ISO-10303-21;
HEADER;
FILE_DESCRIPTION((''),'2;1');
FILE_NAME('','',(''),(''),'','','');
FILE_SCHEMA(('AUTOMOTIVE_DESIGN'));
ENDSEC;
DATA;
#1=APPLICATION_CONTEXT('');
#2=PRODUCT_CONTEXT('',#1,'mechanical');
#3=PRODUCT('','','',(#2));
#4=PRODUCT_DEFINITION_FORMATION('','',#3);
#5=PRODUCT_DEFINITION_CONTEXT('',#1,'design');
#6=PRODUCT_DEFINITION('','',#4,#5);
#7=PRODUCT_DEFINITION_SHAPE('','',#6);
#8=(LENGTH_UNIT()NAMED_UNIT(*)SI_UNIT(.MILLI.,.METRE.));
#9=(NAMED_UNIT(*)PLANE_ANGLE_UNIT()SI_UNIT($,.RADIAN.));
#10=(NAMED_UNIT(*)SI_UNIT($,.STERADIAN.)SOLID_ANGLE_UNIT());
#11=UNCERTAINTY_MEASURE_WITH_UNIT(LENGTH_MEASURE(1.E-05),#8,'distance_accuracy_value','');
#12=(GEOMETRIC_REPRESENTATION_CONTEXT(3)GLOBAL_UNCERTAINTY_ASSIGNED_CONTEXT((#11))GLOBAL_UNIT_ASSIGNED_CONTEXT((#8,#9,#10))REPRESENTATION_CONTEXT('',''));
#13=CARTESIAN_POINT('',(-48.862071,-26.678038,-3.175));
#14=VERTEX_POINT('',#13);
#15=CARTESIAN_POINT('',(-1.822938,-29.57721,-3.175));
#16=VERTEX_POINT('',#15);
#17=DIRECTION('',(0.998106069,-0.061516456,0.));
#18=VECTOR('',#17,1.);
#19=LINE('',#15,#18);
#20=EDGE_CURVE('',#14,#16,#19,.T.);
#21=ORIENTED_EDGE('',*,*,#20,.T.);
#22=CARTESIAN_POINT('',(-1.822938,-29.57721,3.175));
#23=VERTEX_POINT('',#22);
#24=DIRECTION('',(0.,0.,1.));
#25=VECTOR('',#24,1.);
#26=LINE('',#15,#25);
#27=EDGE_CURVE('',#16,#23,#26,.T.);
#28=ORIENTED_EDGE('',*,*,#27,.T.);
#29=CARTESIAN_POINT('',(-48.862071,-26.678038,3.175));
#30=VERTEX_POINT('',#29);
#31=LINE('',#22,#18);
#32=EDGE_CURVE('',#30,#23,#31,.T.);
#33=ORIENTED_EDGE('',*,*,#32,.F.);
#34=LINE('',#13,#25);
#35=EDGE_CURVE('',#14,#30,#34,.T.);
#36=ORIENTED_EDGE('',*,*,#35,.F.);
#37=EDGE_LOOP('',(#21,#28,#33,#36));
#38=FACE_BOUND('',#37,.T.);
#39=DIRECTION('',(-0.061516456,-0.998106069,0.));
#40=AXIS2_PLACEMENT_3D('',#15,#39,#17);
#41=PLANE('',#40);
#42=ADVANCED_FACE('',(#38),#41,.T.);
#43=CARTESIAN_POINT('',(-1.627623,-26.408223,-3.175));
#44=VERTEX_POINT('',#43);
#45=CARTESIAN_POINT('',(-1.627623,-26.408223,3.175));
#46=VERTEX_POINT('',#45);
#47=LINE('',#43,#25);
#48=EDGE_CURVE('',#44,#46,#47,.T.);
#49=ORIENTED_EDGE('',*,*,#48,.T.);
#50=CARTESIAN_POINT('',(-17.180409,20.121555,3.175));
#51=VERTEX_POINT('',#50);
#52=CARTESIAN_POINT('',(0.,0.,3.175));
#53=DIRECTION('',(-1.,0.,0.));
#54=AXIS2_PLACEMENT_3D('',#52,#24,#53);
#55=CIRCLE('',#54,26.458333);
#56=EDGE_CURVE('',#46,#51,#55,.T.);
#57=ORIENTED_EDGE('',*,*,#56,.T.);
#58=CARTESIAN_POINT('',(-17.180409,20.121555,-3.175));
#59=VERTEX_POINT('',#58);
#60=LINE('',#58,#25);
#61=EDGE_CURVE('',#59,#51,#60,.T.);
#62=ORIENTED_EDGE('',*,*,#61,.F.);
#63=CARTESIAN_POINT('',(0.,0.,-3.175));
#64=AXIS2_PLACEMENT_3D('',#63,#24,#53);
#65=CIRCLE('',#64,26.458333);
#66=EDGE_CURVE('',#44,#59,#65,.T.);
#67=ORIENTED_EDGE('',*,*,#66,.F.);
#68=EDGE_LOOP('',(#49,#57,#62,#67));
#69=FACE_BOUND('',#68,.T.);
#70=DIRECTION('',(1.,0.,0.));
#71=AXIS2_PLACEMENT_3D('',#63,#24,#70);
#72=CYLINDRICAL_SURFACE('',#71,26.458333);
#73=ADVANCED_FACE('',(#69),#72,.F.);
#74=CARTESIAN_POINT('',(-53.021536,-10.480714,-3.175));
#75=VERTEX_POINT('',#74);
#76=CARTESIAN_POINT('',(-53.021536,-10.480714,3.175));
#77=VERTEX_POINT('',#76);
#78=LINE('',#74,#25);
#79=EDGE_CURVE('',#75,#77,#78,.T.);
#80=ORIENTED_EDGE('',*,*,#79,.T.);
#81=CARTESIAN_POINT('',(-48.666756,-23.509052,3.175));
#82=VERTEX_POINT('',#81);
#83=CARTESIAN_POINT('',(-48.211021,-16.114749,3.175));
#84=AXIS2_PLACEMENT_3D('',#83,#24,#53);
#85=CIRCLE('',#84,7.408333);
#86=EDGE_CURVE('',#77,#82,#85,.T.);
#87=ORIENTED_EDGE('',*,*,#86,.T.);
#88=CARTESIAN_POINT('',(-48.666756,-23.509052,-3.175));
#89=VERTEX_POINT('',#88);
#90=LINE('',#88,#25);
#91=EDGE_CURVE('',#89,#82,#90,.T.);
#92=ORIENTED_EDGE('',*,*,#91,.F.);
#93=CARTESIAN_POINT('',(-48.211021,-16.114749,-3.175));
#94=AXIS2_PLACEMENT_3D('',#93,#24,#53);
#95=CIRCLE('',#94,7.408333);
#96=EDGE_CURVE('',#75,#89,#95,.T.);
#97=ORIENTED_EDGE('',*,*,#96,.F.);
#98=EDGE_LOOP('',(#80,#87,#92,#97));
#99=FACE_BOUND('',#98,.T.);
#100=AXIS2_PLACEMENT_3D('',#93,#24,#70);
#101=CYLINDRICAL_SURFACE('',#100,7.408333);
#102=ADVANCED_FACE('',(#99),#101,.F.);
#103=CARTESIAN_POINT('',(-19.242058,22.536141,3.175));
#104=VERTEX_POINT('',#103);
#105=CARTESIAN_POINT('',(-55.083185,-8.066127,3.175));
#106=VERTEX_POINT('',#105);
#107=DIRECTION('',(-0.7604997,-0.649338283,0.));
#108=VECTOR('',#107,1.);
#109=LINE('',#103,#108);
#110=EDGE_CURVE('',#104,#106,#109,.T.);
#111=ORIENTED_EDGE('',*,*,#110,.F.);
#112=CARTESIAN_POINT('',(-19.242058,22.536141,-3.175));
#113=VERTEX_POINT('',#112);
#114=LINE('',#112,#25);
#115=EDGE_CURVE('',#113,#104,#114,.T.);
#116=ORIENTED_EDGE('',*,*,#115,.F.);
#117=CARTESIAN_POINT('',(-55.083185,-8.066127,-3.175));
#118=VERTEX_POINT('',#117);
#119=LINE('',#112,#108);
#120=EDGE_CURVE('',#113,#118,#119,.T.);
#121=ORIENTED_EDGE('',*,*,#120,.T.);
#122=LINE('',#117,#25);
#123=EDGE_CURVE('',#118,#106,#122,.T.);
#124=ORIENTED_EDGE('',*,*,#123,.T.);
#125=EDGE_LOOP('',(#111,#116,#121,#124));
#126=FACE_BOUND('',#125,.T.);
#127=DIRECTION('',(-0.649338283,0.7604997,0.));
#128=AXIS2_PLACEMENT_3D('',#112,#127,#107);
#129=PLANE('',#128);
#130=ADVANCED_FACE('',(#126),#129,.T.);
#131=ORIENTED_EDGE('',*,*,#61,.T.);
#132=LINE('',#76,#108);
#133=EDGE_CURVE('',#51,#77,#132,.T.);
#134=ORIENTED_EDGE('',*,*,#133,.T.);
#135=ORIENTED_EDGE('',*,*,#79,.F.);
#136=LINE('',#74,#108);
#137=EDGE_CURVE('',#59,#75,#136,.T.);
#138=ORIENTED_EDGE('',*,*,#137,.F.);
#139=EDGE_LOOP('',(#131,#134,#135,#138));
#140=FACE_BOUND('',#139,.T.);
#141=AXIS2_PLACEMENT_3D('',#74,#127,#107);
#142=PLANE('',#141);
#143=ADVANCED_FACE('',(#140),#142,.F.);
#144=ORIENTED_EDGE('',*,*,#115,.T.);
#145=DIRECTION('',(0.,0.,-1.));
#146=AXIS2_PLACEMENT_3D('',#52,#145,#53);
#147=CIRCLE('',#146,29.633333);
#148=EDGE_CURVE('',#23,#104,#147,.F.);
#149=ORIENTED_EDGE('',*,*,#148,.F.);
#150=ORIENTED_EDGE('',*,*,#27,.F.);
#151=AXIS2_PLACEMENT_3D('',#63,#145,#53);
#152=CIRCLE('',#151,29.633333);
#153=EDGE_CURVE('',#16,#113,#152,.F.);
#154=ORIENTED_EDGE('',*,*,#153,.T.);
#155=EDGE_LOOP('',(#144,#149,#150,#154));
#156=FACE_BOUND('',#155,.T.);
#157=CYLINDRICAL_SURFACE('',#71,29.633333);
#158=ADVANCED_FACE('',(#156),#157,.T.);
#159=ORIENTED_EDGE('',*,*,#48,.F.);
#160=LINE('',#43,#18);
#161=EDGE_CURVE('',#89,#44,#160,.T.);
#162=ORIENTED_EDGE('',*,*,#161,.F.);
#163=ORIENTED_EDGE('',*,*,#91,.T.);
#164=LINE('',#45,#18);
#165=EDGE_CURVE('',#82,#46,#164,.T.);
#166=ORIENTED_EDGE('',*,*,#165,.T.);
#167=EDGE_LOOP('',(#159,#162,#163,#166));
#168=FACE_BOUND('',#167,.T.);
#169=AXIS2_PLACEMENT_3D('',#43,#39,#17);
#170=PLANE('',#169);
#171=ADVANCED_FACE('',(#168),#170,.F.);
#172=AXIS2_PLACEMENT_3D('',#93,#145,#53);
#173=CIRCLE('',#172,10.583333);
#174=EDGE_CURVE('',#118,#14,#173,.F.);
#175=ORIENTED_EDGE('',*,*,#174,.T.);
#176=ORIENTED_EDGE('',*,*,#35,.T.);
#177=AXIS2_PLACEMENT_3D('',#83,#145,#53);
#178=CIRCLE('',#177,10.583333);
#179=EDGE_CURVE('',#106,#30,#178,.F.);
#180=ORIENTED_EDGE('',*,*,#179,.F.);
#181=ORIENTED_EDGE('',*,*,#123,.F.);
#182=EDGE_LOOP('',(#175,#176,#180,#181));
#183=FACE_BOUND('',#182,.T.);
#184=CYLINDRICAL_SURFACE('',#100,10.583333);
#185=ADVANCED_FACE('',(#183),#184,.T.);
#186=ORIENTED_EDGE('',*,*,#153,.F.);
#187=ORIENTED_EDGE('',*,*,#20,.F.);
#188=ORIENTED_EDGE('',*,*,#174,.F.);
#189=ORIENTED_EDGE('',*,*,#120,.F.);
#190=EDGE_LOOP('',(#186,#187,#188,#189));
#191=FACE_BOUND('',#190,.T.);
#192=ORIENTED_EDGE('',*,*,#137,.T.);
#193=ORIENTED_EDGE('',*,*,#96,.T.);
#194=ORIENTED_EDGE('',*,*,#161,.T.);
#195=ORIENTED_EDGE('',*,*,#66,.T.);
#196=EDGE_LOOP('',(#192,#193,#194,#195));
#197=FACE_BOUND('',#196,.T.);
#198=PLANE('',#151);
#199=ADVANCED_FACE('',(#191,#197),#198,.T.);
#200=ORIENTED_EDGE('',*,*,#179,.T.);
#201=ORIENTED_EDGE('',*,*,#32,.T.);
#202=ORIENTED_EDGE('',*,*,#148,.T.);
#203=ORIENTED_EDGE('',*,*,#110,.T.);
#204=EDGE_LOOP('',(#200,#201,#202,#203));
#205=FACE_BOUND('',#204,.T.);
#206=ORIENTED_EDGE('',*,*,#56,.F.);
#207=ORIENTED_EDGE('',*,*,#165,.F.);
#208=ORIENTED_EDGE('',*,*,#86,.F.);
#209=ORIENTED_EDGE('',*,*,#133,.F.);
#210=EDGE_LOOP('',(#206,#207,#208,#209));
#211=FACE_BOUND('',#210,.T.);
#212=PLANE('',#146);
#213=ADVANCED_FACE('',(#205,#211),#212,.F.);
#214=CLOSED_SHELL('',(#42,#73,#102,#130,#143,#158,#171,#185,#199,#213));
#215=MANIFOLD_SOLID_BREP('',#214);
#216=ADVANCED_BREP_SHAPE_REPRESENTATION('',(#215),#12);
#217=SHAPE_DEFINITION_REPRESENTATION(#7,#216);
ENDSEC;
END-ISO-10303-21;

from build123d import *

# Parameters (mm, degrees)
EXTRUDE_THIN1_DEPTH      = 3.175
EXTRUDE_THIN1_DEPTH_BACK = 3.175


with BuildPart() as part:
    # Sketch1 → Extrude-Thin1 (new, two sides: drawn at the far end of the back side and taken through both)
    with BuildSketch(Plane.XY.offset(-EXTRUDE_THIN1_DEPTH_BACK)):
        with BuildLine():
            Line((-55.08318484, -8.066127227), (-19.24205779, 22.536141118))
            ThreePointArc((-19.24205779, 22.536141118), (28.104872273, 9.394178993), (-1.822937639, -29.577209855))
            Line((-1.822937639, -29.577209855), (-48.8620705, -26.678038289))
            ThreePointArc((-48.8620705, -26.678038289), (-58.248475727, -19.469812981), (-55.08318484, -8.066127227))
        make_face()
        with BuildLine():
            Line((-53.021535791, -10.480713776), (-17.180408741, 20.121554569))
            ThreePointArc((-17.180408741, 20.121554569), (25.093635958, 8.387659815), (-1.627622892, -26.408223085))
            Line((-1.627622892, -26.408223085), (-48.666755753, -23.509051519))
            ThreePointArc((-48.666755753, -23.509051519), (-55.237239412, -18.463293803), (-53.021535791, -10.480713776))
        make_face(mode=Mode.SUBTRACT)
    extrude(amount=EXTRUDE_THIN1_DEPTH + EXTRUDE_THIN1_DEPTH_BACK)


solid = part.part
